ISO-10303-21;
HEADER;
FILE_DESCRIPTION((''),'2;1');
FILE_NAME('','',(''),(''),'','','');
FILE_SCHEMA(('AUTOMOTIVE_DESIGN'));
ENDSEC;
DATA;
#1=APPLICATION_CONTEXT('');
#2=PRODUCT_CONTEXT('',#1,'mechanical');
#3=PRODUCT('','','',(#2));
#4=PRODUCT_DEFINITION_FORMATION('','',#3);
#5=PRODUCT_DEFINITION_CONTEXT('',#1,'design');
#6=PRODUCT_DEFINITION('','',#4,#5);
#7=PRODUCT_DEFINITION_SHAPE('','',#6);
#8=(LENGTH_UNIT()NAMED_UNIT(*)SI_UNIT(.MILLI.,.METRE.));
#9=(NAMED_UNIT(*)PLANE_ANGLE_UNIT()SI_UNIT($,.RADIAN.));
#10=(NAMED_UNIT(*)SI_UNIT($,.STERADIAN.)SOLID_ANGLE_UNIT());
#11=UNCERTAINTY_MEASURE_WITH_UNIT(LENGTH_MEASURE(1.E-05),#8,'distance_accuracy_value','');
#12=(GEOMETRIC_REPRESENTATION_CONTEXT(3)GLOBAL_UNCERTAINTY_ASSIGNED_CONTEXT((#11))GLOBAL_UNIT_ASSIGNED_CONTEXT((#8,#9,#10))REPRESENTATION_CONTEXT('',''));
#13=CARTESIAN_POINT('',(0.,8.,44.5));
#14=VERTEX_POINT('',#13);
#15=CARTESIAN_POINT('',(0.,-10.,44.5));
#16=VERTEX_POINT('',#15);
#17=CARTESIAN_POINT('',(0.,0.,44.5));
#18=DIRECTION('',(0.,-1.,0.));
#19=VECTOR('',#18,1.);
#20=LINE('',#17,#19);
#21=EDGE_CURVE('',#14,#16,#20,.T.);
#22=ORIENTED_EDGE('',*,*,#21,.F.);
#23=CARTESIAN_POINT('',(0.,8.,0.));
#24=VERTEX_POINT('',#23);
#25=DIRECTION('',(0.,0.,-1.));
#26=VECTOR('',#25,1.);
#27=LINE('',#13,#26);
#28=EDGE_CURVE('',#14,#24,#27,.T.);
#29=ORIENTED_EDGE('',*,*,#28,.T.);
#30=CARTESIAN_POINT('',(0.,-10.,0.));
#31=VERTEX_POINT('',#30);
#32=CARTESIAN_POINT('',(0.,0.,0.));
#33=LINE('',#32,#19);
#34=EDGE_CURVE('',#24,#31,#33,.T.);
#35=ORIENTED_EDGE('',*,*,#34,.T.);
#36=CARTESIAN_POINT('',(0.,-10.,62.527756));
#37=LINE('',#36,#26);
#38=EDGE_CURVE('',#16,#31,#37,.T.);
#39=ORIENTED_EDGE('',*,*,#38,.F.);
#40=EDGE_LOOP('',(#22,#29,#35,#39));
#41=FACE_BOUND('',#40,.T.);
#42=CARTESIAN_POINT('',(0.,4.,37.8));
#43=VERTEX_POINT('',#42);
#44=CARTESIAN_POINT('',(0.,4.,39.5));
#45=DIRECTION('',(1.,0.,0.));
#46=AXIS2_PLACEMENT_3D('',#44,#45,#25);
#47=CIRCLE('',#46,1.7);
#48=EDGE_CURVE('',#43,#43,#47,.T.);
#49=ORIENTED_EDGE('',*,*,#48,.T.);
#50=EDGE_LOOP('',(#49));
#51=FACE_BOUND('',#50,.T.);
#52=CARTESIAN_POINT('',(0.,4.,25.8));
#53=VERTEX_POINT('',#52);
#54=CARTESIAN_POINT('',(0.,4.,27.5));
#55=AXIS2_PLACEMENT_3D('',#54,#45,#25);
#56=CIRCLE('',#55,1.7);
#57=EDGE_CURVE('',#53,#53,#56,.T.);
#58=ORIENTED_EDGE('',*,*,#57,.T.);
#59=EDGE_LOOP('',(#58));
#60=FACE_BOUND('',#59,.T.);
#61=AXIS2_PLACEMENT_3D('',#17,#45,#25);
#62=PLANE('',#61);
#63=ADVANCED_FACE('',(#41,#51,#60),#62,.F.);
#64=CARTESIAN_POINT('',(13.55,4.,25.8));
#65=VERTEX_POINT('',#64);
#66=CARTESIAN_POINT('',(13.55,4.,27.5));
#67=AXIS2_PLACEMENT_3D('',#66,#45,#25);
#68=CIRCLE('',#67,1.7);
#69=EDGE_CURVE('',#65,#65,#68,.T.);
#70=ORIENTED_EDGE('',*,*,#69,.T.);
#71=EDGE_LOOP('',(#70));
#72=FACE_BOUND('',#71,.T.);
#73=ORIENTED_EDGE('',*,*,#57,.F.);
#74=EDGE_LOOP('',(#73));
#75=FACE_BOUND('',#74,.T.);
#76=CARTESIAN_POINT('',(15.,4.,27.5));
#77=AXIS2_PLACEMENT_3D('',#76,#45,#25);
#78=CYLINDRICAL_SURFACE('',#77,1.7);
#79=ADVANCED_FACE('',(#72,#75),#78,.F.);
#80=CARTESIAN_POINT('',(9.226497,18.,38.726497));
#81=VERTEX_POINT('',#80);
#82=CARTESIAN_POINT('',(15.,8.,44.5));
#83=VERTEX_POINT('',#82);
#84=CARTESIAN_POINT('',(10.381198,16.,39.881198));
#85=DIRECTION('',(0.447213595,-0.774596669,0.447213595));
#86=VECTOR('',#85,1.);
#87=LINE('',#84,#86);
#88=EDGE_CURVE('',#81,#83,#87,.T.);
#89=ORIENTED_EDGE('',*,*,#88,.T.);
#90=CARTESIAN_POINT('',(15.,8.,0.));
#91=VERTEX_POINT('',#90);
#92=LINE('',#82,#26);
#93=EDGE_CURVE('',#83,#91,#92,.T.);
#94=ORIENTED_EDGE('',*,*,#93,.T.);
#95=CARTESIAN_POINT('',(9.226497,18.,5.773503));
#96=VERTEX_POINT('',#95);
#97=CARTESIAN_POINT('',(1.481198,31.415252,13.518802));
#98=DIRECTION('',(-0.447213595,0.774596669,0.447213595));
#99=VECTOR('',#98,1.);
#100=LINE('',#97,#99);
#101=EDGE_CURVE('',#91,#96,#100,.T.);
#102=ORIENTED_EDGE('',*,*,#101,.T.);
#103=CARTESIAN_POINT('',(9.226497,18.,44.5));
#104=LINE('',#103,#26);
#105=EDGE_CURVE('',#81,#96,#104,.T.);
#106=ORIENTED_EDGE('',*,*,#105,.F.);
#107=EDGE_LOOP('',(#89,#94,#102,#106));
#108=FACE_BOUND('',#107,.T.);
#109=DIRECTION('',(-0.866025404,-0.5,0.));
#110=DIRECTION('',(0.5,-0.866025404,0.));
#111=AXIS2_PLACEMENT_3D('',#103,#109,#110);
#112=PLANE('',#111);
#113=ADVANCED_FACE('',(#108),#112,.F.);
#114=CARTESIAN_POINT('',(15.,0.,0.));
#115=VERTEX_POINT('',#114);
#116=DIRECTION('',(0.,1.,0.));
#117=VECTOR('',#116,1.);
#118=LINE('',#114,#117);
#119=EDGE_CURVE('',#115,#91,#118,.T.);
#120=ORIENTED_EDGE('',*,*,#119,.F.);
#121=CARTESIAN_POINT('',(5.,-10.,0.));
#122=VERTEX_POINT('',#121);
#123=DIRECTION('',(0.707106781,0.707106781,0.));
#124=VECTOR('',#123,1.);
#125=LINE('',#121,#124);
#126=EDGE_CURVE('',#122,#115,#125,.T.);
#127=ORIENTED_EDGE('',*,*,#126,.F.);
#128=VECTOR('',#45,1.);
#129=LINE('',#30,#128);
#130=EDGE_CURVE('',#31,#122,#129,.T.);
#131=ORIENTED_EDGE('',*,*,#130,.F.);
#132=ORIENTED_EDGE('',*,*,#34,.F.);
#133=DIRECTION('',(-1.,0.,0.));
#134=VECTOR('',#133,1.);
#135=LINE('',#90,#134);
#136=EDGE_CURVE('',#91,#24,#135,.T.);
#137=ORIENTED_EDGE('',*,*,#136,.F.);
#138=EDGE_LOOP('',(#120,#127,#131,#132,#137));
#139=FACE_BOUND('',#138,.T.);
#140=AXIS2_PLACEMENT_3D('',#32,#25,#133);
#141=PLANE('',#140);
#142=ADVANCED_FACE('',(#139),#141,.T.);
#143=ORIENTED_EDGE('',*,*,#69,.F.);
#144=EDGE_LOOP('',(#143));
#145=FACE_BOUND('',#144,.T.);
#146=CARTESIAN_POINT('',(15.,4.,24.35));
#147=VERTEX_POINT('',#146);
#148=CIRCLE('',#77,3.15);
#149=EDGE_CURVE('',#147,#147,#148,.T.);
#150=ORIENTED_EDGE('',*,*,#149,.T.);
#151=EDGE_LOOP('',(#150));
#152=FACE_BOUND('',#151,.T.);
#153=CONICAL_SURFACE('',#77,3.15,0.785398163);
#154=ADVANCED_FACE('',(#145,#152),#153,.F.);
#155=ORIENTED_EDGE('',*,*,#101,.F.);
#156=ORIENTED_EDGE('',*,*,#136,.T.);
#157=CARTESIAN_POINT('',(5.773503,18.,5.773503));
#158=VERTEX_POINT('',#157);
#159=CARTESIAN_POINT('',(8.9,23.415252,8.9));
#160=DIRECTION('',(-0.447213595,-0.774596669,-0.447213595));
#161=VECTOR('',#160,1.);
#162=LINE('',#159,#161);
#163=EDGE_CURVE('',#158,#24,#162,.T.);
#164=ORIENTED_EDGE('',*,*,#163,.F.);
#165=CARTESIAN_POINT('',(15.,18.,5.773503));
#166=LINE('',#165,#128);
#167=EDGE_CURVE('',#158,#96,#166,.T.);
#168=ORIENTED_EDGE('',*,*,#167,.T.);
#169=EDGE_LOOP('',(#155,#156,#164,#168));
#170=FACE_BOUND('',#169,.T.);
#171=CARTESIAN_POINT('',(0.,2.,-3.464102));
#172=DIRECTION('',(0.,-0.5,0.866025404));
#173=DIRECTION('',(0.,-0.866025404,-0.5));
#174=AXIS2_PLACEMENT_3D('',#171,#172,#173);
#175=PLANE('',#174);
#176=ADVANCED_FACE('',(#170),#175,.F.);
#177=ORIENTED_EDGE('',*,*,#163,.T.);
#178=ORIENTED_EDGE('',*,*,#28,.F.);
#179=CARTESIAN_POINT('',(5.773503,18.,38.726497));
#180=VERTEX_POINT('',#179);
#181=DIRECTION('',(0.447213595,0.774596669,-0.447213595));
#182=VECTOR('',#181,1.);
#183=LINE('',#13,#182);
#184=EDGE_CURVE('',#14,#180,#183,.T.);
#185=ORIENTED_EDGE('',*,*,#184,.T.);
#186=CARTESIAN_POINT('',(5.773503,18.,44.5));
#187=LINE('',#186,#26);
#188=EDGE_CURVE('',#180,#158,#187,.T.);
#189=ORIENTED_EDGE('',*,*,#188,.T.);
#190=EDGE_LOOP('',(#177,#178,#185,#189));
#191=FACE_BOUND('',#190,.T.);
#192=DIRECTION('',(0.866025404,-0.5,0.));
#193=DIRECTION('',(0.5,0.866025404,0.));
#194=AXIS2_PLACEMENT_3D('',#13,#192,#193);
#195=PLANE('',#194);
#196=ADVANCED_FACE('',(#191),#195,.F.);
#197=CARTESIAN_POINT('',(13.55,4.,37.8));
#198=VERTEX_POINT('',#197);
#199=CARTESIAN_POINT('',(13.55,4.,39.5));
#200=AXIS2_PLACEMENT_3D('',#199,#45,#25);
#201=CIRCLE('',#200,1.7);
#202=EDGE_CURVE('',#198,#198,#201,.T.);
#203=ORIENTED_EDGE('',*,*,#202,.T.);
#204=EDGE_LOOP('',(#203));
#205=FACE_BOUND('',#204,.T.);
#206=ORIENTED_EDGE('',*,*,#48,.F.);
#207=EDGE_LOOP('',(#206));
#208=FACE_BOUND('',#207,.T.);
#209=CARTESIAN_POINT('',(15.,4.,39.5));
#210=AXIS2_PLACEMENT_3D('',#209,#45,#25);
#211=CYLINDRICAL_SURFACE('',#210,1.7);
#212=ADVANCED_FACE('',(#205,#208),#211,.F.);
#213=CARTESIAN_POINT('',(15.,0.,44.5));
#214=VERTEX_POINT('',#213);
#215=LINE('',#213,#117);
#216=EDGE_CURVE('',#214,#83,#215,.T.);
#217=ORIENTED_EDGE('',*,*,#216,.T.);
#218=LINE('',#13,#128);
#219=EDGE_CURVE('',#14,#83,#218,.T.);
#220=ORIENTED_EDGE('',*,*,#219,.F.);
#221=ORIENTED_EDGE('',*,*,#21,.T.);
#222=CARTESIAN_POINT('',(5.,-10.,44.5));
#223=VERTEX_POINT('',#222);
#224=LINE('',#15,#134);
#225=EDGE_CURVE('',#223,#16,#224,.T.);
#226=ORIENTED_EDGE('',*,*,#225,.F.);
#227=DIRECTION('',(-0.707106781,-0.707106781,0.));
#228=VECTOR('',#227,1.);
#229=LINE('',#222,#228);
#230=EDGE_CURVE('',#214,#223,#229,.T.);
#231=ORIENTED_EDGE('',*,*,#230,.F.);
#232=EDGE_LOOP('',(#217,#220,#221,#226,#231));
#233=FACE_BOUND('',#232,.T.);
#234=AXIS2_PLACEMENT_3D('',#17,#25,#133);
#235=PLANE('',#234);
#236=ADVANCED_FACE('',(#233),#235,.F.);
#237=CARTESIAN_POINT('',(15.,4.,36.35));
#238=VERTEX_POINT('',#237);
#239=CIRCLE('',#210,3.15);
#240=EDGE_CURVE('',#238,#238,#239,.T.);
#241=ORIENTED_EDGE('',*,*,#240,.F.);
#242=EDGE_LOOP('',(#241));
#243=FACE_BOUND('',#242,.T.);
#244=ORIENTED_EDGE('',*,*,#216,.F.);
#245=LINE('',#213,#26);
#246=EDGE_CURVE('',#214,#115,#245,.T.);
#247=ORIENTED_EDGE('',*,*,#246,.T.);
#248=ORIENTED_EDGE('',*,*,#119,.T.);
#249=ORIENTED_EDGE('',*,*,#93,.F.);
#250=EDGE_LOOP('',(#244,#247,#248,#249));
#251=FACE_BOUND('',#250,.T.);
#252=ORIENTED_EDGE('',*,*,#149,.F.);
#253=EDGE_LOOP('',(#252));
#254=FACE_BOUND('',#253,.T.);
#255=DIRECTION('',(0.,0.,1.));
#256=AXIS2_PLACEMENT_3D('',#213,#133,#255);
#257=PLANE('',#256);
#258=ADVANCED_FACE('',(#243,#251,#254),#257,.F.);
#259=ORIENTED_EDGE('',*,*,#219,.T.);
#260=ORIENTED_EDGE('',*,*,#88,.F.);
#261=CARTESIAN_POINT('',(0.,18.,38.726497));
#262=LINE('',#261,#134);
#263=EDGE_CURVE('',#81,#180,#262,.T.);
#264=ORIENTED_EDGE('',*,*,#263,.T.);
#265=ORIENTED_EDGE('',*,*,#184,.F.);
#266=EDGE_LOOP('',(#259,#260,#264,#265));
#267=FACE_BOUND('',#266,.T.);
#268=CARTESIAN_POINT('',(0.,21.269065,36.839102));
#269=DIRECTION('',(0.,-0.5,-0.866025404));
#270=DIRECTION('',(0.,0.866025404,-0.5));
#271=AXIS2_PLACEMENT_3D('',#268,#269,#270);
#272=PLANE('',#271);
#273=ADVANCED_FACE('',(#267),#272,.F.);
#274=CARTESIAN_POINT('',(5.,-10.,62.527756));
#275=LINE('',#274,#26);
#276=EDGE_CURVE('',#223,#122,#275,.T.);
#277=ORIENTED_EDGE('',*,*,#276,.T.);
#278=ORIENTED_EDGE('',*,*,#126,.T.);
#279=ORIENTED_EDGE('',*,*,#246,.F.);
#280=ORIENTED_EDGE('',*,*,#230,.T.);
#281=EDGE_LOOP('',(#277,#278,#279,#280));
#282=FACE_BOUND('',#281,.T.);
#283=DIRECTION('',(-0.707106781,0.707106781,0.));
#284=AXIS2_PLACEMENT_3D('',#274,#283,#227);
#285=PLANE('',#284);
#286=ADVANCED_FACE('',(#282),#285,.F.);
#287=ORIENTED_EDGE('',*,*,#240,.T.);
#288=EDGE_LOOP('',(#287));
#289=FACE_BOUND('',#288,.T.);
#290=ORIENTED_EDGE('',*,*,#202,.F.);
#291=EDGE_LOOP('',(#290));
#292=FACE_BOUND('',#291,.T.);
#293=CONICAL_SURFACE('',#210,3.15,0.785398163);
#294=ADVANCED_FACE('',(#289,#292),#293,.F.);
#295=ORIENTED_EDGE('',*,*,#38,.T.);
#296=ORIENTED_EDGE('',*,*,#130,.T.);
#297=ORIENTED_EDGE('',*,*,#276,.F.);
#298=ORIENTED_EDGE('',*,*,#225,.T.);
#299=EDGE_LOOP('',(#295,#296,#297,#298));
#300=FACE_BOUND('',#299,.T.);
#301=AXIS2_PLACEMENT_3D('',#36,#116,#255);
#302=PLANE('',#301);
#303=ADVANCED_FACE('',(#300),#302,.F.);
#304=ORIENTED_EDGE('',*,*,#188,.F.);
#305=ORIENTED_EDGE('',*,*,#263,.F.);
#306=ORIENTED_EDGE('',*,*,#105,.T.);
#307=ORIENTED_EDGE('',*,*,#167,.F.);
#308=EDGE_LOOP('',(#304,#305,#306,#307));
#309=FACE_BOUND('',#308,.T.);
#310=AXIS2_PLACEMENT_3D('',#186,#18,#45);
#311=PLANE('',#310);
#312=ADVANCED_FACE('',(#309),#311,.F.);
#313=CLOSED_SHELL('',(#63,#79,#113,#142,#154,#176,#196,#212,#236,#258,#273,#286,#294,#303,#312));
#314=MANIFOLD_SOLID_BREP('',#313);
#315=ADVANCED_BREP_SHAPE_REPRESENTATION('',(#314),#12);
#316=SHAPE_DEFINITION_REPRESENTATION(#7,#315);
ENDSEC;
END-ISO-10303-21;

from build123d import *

# Parameters (mm, degrees)
BOSS_EXTRU_1_DEPTH                             = 44.5
ESQUISSE2_W                                    = 15
ESQUISSE2_H                                    = 11.547005384
ENL_V_MAT_EXTRU_1_DEPTH                        = 46.105349392
ESQUISSE4_W                                    = 15
ESQUISSE4_H                                    = 11.547005384
ENL_V_MAT_EXTRU_3_DEPTH                        = 53.740449787
BOSS_EXTRU_4_DEPTH                             = 44.5
FRAISAGE_POUR_VIS_T_TE_FRAIS_E_M31_D           = 3.4
FRAISAGE_POUR_VIS_T_TE_FRAIS_E_M31_CSINK_D     = 6.3
FRAISAGE_POUR_VIS_T_TE_FRAIS_E_M31_CSINK_ANGLE = 90
R_P_TITION_LIN_AIRE1_COUNT                     = 2
R_P_TITION_LIN_AIRE1_PITCH                     = 12


with BuildPart() as part:
    # Esquisse1 → Boss.-Extru.1 (new body)
    with BuildSketch(Plane.XY):
        Polygon((0, 8), (5.773502692, 18), (9.226497308, 18), (15, 8), (15, 0), (0, 0), align=None)
    extrude(amount=BOSS_EXTRU_1_DEPTH)

    # Esquisse2 → Enlèv. mat.-Extru.1 (cut, through all)
    with BuildSketch(Plane(origin=(0, 21.269065234, 36.839101615), x_dir=(-1, 0, 0), z_dir=(0, 0.500000000000001, 0.866025403784438))):
        with Locations((-7.5, 9.548294078)):
            Rectangle(ESQUISSE2_W, ESQUISSE2_H)
    extrude(amount=ENL_V_MAT_EXTRU_1_DEPTH, mode=Mode.SUBTRACT)

    # Esquisse4 → Enlèv. mat.-Extru.3 (cut, through all)
    with BuildSketch(Plane(origin=(0, 2, -3.464101615), x_dir=(-1, 0, 0), z_dir=(0, 0.500000000000001, -0.866025403784438))):
        with Locations((-7.5, 12.701705922)):
            Rectangle(ESQUISSE4_W, ESQUISSE4_H)
    extrude(amount=ENL_V_MAT_EXTRU_3_DEPTH, mode=Mode.SUBTRACT)

    # Esquisse5 → Boss.-Extru.4 (add)
    with BuildSketch(Plane.XY):
        Polygon((0, -10), (5, -10), (15, 0), (0, 0), align=None)
    extrude(amount=BOSS_EXTRU_4_DEPTH)

    # Fraisage pour vis à tête fraisée M31 (through all)
    with Locations(Plane(origin=(15, 0, 0), x_dir=(0, 0, -1), z_dir=(1, 0, 0))):
        with Locations((-39.5, 4)):
            fraisage_pour_vis_t_te_frais_e_m31 = CounterSinkHole(FRAISAGE_POUR_VIS_T_TE_FRAIS_E_M31_D / 2, FRAISAGE_POUR_VIS_T_TE_FRAIS_E_M31_CSINK_D / 2, counter_sink_angle=FRAISAGE_POUR_VIS_T_TE_FRAIS_E_M31_CSINK_ANGLE)

    # Répétition linéaire1: Fraisage pour vis à tête fraisée M31 ×2
    with Locations(*[(0, 0, -i * R_P_TITION_LIN_AIRE1_PITCH) for i in range(1, R_P_TITION_LIN_AIRE1_COUNT)]):
        add(fraisage_pour_vis_t_te_frais_e_m31, mode=Mode.SUBTRACT)


solid = part.part
